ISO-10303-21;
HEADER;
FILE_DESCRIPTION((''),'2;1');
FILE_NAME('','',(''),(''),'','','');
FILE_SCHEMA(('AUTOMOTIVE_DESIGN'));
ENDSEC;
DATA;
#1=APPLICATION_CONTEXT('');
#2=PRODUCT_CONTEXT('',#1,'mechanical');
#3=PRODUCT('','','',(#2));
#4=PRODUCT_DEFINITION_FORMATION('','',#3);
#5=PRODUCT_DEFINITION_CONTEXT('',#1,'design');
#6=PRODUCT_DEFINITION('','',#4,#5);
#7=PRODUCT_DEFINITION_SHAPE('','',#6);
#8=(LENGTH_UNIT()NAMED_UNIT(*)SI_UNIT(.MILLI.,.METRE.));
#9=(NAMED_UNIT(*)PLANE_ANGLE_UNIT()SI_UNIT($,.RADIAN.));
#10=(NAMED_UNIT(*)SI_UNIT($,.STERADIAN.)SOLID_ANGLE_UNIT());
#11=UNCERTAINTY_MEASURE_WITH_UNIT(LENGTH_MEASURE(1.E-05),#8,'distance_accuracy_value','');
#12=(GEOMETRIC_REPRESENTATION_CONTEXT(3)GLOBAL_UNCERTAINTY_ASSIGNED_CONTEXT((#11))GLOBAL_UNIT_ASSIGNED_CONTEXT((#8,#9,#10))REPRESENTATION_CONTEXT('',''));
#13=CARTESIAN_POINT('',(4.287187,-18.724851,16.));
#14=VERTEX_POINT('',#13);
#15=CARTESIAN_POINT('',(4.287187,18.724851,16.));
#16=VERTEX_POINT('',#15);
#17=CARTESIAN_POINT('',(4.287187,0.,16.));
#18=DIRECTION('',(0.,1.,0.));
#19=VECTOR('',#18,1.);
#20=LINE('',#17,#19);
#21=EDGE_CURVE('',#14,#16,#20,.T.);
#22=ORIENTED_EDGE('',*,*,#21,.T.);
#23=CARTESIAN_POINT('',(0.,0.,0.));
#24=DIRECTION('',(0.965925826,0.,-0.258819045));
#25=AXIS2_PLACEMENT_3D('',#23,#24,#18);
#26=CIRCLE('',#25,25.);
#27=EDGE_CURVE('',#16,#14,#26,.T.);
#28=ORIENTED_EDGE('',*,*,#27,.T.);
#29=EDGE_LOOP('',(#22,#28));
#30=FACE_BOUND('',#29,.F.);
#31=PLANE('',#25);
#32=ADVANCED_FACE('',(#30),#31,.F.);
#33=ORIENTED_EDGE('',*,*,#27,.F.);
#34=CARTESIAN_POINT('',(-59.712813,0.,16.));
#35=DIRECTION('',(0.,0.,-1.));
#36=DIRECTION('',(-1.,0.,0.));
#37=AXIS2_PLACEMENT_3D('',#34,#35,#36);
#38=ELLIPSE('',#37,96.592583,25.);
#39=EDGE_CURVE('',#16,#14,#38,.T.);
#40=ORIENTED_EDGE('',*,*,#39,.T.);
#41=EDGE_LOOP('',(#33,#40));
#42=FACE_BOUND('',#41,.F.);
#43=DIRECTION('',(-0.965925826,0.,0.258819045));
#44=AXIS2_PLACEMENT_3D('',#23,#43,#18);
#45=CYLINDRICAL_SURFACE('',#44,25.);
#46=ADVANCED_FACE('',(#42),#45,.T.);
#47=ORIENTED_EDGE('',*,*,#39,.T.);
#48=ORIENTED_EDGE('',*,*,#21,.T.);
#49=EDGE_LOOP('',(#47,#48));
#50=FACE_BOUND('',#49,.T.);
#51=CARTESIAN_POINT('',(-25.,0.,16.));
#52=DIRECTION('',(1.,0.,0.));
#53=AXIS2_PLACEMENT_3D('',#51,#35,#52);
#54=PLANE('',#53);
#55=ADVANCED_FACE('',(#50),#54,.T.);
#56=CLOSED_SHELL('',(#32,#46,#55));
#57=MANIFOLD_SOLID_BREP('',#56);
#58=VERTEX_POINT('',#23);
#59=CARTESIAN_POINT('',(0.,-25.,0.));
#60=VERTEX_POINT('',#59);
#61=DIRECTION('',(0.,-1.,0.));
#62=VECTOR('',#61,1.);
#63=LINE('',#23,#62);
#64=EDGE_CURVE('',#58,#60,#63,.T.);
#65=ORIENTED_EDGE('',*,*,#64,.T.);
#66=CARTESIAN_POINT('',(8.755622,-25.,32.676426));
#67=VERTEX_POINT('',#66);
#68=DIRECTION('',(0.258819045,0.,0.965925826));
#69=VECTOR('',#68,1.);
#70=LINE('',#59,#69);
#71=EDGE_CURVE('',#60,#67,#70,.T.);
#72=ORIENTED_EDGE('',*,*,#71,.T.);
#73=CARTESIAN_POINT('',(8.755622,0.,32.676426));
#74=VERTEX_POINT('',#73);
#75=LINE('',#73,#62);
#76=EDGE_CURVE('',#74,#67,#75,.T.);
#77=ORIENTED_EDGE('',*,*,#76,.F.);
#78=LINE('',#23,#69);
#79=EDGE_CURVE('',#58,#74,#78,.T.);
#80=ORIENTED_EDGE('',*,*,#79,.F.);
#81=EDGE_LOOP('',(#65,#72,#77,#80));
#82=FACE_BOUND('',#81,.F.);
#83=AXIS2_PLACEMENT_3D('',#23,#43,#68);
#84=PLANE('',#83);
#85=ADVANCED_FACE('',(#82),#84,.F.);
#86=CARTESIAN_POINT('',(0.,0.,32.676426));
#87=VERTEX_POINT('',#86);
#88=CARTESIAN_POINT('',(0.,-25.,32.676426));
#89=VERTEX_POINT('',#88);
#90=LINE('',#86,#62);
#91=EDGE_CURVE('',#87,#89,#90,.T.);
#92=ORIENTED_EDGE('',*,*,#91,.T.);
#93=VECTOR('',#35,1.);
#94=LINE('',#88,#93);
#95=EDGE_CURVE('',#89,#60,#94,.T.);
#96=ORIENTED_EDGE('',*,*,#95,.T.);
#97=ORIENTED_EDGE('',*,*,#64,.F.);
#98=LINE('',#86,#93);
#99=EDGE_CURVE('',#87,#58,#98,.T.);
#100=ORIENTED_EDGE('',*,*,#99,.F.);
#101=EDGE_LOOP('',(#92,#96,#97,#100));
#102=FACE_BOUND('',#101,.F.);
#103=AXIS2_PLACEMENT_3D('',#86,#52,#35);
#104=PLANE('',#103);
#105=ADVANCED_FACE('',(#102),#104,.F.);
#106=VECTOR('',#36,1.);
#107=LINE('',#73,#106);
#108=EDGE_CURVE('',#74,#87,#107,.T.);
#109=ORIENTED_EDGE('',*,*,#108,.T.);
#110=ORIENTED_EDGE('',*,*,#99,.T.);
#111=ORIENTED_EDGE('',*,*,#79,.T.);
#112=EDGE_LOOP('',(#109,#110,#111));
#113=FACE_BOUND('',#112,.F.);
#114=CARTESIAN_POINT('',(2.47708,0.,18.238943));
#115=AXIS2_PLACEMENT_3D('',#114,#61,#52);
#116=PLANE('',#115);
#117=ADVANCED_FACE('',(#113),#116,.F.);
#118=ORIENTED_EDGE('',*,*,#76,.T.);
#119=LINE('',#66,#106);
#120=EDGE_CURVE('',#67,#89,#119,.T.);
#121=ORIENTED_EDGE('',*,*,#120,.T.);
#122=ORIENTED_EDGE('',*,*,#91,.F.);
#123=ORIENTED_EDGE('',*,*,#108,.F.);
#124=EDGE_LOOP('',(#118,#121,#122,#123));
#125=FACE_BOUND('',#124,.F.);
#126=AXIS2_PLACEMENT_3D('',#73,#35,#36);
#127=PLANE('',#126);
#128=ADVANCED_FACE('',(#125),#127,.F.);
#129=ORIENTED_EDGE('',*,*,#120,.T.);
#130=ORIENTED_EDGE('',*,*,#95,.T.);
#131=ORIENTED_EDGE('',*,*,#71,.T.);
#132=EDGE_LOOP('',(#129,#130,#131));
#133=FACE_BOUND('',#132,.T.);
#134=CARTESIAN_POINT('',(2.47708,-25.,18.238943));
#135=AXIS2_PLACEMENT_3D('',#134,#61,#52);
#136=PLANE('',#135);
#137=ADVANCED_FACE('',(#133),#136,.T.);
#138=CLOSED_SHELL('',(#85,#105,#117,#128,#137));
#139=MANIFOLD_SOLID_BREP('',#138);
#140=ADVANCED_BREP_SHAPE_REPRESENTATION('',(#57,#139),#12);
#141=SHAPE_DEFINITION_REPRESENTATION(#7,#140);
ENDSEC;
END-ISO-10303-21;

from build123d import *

# Parameters (mm, degrees)
F1_DEPTH = 25
F3_R     = 25
F4_DEPTH = 50
F5_W     = 90
F5_H     = 90
F6_DEPTH = 37.5


with BuildPart() as f1:
    # F0 (on Front) → F1 (new body)
    with BuildSketch(Plane.XZ):
        Polygon((0, 32.6764256879), (0, 0), (8.7556218746, 32.6764256879), align=None)
    extrude(amount=F1_DEPTH)


with BuildPart() as f4:
    # F3 (on offset) → F4 (new body)
    with BuildSketch(Plane(origin=(0, 0, 0), x_dir=(0, 1, 0), z_dir=(0.9659258263, 0, -0.2588190451))):
        Circle(F3_R)
    extrude(amount=F4_DEPTH)


with BuildPart() as f6:
    # F5 (on Front) → F6 (new body, symmetric)
    with BuildSketch(Plane.XZ):
        with Locations((20, -29)):
            Rectangle(F5_W, F5_H)
    extrude(amount=F6_DEPTH, both=True)


with BuildPart() as f4_1:
    add(f4.part)

    # F7: cut F6
    add(f6.part, mode=Mode.SUBTRACT)


solid = Compound([f1.part, f4_1.part])
